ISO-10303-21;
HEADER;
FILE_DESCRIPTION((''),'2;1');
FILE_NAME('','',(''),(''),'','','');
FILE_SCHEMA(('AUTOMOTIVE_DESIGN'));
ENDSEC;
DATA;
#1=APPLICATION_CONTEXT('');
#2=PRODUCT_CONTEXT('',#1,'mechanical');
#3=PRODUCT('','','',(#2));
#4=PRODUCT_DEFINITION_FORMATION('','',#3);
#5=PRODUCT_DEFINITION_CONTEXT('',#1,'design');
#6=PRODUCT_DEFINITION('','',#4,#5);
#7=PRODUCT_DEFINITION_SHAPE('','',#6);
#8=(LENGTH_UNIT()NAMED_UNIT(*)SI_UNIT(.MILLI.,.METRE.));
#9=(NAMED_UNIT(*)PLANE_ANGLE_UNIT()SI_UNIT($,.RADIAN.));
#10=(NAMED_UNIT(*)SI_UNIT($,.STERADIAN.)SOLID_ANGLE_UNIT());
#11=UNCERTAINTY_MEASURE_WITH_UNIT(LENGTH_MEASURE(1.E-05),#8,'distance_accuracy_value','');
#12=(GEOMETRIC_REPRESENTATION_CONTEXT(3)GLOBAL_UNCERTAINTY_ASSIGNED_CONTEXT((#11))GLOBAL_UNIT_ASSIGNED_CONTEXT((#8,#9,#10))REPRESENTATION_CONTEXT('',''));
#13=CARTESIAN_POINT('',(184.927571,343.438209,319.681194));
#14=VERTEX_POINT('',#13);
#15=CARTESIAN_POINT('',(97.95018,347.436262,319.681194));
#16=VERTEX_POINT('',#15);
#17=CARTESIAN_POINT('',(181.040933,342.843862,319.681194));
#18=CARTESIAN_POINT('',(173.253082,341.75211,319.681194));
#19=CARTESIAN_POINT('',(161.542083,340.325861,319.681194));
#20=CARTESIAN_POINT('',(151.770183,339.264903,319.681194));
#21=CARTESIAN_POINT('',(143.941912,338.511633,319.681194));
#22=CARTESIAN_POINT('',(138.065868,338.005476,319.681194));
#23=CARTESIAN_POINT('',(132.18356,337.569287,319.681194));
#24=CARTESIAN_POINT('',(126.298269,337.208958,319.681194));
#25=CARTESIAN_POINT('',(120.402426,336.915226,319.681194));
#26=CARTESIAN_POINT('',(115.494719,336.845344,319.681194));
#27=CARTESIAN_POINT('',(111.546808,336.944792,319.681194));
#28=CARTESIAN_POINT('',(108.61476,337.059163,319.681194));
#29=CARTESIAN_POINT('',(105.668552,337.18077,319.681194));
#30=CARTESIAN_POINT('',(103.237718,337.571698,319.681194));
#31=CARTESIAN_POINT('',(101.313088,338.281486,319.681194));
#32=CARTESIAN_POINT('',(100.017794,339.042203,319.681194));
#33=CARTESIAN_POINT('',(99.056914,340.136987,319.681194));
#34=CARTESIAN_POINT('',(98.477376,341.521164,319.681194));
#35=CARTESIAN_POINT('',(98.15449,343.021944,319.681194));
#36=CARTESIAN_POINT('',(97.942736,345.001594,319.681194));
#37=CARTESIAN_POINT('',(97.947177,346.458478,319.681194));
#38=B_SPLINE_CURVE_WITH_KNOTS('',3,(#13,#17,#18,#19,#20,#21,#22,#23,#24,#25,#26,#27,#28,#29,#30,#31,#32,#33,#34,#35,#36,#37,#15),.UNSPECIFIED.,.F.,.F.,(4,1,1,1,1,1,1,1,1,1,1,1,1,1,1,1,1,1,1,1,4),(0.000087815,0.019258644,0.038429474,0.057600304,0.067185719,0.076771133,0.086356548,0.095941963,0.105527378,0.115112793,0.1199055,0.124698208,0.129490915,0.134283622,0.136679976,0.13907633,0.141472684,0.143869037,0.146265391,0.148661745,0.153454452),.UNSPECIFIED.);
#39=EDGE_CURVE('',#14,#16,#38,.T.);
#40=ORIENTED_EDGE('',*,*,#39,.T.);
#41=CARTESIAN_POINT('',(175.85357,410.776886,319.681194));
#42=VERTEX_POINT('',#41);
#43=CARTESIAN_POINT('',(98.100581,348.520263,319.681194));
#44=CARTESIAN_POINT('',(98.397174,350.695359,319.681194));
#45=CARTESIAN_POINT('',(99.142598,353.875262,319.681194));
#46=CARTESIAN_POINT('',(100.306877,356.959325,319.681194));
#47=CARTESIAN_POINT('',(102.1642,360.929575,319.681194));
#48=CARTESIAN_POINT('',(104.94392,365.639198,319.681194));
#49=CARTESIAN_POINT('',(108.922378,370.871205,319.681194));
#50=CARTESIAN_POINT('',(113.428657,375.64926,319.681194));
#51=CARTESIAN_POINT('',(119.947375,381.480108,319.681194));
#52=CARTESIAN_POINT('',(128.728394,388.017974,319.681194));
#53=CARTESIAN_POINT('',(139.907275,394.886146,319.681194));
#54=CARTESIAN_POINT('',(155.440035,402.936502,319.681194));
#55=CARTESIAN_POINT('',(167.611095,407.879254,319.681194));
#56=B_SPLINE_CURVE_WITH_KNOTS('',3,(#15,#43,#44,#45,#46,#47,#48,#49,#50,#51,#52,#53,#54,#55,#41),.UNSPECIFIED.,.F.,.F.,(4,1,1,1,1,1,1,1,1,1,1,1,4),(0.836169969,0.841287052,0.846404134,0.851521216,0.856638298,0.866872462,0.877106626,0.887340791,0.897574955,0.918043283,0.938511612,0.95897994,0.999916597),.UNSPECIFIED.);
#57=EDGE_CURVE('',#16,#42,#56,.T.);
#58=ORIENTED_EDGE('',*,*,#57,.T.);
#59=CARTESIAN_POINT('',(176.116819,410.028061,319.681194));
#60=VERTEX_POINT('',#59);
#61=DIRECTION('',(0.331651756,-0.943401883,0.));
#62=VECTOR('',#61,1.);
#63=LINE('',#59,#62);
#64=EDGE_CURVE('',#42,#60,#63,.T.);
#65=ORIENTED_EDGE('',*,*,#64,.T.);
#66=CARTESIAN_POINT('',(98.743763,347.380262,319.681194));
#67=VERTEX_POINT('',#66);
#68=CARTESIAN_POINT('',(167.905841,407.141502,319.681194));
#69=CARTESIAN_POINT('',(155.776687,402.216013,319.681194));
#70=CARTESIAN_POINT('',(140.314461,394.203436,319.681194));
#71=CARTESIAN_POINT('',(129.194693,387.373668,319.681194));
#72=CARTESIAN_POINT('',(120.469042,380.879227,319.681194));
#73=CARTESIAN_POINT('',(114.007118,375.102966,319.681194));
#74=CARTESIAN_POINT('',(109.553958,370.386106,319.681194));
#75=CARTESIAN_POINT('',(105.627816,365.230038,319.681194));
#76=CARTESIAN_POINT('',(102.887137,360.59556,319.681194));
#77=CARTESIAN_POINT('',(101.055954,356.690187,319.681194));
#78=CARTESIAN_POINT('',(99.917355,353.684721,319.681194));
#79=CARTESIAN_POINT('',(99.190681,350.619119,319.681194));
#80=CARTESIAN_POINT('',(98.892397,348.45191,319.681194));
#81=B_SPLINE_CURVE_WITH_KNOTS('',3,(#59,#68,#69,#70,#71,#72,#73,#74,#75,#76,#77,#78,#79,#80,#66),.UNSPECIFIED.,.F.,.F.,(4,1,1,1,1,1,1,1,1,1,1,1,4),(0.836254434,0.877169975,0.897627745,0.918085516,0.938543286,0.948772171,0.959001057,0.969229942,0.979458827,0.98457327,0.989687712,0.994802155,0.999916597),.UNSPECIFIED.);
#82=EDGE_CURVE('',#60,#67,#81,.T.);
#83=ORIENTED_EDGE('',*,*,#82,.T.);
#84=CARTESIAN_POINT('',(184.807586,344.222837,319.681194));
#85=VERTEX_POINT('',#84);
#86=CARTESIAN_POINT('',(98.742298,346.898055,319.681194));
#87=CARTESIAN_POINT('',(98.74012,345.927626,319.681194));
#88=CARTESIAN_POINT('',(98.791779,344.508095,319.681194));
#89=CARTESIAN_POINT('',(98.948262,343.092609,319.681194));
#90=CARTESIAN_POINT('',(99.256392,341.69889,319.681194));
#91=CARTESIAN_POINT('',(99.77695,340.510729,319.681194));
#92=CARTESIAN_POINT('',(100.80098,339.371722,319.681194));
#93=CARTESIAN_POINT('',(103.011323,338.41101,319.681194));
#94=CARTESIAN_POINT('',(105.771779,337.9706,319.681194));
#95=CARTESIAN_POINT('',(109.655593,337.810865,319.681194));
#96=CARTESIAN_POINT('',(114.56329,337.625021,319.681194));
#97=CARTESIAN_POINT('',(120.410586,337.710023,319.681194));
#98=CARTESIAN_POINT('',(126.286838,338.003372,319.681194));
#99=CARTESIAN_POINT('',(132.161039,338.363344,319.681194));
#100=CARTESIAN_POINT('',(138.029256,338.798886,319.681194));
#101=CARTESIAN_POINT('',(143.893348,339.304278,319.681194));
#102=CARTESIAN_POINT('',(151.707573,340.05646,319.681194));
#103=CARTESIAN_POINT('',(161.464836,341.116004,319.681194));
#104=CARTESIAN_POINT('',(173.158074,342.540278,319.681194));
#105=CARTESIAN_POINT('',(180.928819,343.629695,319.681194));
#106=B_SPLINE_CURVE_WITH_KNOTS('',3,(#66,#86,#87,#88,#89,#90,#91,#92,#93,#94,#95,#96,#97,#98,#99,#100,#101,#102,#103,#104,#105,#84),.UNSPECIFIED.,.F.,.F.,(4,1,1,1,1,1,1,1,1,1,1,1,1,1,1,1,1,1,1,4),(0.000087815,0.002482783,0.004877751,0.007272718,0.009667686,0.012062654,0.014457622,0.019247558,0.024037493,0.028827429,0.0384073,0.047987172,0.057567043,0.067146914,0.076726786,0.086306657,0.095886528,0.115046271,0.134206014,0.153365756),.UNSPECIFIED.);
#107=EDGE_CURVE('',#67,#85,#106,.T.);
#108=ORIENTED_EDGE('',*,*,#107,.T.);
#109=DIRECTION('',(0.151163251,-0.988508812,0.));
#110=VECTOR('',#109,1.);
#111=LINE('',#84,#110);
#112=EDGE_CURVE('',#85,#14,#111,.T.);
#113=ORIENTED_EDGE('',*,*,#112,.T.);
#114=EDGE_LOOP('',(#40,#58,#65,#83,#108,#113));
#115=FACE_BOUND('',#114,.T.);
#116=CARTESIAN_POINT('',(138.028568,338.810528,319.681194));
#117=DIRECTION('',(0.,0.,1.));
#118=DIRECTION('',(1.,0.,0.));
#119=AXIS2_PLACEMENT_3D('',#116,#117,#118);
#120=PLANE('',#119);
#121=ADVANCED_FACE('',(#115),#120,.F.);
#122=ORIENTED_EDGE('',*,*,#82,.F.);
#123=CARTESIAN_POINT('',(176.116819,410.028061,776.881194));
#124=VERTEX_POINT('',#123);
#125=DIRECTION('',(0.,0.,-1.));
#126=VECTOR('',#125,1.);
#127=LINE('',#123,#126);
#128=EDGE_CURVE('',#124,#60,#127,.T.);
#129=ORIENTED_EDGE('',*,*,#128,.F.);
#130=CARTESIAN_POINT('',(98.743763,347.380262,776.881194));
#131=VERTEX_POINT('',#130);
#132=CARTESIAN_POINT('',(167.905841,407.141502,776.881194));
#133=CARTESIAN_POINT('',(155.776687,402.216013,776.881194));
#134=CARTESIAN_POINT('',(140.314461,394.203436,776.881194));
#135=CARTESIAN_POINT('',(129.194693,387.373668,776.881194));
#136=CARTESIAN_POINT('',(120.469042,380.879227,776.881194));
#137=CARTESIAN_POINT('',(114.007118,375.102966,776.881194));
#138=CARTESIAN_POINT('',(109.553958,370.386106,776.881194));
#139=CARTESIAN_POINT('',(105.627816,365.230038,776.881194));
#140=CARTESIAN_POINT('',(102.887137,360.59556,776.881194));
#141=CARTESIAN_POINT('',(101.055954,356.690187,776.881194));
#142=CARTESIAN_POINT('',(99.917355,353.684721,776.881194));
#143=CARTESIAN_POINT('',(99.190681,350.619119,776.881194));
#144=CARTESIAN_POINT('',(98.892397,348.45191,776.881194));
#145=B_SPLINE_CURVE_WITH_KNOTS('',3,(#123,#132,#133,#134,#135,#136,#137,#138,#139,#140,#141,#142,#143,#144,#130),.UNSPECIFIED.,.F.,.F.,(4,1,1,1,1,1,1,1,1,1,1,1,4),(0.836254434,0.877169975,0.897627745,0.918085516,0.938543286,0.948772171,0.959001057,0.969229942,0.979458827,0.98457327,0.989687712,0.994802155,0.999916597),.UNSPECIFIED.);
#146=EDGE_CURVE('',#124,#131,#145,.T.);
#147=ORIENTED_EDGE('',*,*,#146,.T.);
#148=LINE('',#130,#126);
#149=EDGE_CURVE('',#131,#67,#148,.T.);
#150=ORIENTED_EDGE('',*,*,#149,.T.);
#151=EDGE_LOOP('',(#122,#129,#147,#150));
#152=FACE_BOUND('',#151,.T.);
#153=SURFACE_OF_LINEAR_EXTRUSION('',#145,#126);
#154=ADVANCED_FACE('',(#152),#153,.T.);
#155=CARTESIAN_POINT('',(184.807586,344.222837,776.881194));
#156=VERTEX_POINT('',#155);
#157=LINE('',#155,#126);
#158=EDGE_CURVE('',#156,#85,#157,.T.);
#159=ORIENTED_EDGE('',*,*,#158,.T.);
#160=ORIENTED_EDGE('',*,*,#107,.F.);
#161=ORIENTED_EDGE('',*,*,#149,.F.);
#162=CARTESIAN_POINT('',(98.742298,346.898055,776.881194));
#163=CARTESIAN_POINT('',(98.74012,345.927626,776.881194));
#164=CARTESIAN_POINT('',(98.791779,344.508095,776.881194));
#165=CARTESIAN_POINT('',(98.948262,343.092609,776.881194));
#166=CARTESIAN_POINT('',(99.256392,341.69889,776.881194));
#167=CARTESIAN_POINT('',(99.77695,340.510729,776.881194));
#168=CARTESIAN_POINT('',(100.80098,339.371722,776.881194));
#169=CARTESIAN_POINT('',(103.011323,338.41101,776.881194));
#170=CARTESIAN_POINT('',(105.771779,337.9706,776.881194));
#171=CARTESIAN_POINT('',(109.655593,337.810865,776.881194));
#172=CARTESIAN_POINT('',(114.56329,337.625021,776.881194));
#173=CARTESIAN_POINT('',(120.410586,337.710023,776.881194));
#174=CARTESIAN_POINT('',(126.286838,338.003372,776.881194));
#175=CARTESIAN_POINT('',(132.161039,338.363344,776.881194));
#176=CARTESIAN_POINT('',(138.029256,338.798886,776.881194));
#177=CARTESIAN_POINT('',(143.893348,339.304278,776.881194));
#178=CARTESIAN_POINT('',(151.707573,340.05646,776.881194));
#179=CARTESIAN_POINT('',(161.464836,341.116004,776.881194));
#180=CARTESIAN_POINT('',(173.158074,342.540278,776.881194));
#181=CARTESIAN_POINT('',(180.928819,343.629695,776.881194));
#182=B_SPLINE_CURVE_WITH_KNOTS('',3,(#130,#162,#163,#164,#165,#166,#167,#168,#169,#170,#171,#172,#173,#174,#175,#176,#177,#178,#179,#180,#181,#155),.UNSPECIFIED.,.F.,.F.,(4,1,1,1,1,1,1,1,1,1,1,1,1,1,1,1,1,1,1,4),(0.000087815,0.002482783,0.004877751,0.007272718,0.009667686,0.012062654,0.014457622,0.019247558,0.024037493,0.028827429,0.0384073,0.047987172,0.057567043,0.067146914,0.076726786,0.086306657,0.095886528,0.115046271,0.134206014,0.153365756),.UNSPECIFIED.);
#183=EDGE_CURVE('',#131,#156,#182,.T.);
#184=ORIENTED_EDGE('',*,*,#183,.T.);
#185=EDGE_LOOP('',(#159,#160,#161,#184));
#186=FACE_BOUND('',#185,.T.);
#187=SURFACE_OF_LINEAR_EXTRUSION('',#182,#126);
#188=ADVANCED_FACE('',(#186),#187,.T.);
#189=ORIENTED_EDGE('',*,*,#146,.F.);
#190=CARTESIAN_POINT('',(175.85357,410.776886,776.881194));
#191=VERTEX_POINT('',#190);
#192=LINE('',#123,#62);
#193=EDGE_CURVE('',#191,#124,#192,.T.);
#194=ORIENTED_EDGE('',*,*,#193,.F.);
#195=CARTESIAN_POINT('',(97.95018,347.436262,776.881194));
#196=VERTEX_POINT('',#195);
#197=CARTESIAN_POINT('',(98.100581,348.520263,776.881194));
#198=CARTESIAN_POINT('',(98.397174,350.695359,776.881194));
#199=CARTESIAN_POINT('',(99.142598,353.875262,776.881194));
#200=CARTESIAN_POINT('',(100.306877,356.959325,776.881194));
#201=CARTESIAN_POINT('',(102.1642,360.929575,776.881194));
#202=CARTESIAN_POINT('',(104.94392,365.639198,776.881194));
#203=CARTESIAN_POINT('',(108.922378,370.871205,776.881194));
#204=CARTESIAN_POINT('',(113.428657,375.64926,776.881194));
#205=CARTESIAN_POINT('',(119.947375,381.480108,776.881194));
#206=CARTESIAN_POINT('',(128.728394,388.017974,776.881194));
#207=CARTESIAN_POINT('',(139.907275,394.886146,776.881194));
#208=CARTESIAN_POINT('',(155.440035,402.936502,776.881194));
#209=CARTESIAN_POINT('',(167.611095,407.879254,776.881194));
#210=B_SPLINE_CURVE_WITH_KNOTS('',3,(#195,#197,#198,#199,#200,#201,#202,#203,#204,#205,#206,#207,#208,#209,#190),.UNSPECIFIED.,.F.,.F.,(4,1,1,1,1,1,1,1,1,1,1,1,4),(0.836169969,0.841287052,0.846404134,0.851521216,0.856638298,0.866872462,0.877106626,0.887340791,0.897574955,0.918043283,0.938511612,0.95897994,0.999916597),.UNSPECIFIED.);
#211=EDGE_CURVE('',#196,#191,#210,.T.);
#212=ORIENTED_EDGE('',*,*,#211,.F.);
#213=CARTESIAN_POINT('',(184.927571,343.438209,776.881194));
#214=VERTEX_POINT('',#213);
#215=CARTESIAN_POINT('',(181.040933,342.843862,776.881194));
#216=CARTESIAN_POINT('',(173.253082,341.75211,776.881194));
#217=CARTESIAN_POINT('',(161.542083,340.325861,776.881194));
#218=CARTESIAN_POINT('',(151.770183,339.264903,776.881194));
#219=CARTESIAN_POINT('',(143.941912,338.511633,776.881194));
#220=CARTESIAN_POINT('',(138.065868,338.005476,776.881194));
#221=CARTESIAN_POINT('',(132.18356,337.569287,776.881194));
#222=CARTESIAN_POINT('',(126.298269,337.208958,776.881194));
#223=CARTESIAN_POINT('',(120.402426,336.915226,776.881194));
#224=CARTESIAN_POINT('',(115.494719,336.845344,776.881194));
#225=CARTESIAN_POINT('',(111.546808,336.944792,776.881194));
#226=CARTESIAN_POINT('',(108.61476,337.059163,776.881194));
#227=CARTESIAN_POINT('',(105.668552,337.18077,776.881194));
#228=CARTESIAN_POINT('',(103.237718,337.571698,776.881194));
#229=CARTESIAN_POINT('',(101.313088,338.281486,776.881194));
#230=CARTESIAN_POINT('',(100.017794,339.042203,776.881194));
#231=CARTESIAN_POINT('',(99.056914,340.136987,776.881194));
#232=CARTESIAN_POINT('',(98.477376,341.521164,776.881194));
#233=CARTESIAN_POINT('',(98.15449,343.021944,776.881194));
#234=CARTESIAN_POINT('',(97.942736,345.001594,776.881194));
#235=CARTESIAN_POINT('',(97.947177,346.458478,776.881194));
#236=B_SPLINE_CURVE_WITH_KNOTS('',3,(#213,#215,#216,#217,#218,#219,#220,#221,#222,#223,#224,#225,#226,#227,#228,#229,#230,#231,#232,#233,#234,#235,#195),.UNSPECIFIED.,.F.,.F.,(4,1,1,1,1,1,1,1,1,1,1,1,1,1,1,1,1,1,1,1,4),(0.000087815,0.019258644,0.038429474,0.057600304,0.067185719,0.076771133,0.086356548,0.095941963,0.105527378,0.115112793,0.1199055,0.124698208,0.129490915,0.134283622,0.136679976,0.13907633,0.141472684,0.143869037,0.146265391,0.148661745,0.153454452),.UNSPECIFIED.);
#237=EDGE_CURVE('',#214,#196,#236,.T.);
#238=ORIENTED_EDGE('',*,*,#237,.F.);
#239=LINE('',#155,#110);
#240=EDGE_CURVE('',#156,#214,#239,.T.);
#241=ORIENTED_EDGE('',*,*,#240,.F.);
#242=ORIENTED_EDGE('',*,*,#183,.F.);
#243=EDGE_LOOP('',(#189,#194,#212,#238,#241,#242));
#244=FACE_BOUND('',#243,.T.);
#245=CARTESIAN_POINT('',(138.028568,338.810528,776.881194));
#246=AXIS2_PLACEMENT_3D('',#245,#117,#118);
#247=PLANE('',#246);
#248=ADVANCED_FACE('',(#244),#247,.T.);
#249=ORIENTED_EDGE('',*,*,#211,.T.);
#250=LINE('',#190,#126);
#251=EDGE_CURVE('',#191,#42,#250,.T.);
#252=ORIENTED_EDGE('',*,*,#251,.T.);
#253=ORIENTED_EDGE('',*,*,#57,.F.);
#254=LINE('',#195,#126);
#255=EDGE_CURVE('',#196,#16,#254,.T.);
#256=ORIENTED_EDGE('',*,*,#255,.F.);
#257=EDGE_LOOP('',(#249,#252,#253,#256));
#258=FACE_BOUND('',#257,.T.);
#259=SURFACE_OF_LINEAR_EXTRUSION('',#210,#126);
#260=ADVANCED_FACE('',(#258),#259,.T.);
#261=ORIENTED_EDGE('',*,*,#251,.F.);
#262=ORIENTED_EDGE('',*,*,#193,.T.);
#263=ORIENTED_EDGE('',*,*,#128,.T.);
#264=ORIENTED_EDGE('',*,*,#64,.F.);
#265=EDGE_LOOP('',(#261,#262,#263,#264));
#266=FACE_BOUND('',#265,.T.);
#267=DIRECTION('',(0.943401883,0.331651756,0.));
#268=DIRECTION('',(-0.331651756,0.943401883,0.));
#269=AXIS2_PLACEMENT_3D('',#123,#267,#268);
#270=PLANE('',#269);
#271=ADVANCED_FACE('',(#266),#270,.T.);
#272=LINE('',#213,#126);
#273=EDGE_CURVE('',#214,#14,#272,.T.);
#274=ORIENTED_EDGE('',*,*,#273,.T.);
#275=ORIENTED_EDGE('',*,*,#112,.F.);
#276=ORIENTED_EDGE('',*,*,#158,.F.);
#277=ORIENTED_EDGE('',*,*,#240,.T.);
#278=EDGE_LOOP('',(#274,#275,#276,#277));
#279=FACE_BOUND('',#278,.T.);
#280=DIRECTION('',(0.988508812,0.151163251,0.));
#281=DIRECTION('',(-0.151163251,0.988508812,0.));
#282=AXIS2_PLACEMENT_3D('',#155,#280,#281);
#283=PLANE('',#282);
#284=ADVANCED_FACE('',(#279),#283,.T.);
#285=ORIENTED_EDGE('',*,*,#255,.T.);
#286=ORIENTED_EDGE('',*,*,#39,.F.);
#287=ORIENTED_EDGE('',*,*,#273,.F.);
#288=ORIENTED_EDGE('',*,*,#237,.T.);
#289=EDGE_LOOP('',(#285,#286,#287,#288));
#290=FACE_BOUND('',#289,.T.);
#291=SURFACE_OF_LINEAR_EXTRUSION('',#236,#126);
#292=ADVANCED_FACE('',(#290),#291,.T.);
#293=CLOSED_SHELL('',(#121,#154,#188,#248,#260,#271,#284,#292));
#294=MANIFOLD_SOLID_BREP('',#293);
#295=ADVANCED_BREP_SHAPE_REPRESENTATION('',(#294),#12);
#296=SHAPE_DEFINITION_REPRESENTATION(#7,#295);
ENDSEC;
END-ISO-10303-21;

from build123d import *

# Parameters (mm, degrees)
BOSS_EXTRUDE1_DEPTH = 457.2


with BuildPart() as part:
    # Sketch1 → Boss-Extrude1 (new body)
    with BuildSketch(Plane(origin=(0, 0, 319.681194078), x_dir=(-1, 0, 0), z_dir=(0, 0, -1))):
        with BuildLine():
            Line((-184.807585519, 344.222837463), (-184.92757135, 343.438208593))
            add(Edge.make_bspline(
                [(-184.92757135, 343.438208593), (-181.040933485, 342.843862028), (-173.253081526, 341.752110108), (-161.542083063, 340.325860568), (-151.77018341, 339.26490288), (-143.941912164, 338.511632739), (-138.065867745, 338.005476288), (-132.183559819, 337.569286594), (-126.298268743, 337.208958243), (-120.402425753, 336.915226123), (-115.494718924, 336.845343616), (-111.546807905, 336.944791731), (-108.614760213, 337.05916287), (-105.668551651, 337.180770053), (-103.23771824, 337.571697676), (-101.313088235, 338.281485887), (-100.017793574, 339.042202664), (-99.056914162, 340.136986868), (-98.477375887, 341.521164247), (-98.154490298, 343.021943609), (-97.942735647, 345.001594157), (-97.947176665, 346.45847794), (-97.950180416, 347.436261822)],
                knots=[8.7815e-05, 8.7815e-05, 8.7815e-05, 8.7815e-05, 0.019258644, 0.038429474, 0.057600304, 0.067185719, 0.076771133, 0.086356548, 0.095941963, 0.105527378, 0.115112793, 0.1199055, 0.124698208, 0.129490915, 0.134283622, 0.136679976, 0.13907633, 0.141472684, 0.143869037, 0.146265391, 0.148661745, 0.153454452, 0.153454452, 0.153454452, 0.153454452], degree=3))
            add(Edge.make_bspline(
                [(-97.950180416, 347.436261822), (-98.100581128, 348.520263004), (-98.397174316, 350.695359269), (-99.142597548, 353.875262447), (-100.306877132, 356.959325428), (-102.164200072, 360.929575002), (-104.94392028, 365.63919815), (-108.922377523, 370.871204814), (-113.428657002, 375.649260439), (-119.947374772, 381.480108266), (-128.728393565, 388.017974072), (-139.907274969, 394.886145622), (-155.440035218, 402.936502443), (-167.611094993, 407.87925406), (-175.853570149, 410.776885929)],
                knots=[0.836169969, 0.836169969, 0.836169969, 0.836169969, 0.841287052, 0.846404134, 0.851521216, 0.856638298, 0.866872462, 0.877106626, 0.887340791, 0.897574955, 0.918043283, 0.938511612, 0.95897994, 0.999916597, 0.999916597, 0.999916597, 0.999916597], degree=3))
            Line((-175.853570149, 410.776885929), (-176.116818731, 410.028060685))
            add(Edge.make_bspline(
                [(-98.743762825, 347.380261796), (-98.892397356, 348.45190969), (-99.190681161, 350.619119091), (-99.91735457, 353.684720681), (-101.055954059, 356.6901874), (-102.887136936, 360.595560384), (-105.627816001, 365.230037823), (-109.553958473, 370.386106109), (-114.007117785, 375.102966209), (-120.469041894, 380.87922721), (-129.194692793, 387.37366792), (-140.314460751, 394.203435551), (-155.776686671, 402.216013166), (-167.905841345, 407.141501818), (-176.116818731, 410.028060685)],
                knots=[0.836254434, 0.836254434, 0.836254434, 0.836254434, 0.841368877, 0.846483319, 0.851597762, 0.856712204, 0.86694109, 0.877169975, 0.88739886, 0.897627745, 0.918085516, 0.938543286, 0.959001057, 0.999916597, 0.999916597, 0.999916597, 0.999916597], degree=3))
            add(Edge.make_bspline(
                [(-184.807585519, 344.222837463), (-180.928818915, 343.629694575), (-173.158073701, 342.540277813), (-161.464836405, 341.116003816), (-151.707572955, 340.056460006), (-143.893347991, 339.304277984), (-138.029255706, 338.79888589), (-132.16103886, 338.363344035), (-126.286837549, 338.00337161), (-120.410585645, 337.710023245), (-114.563289728, 337.625021098), (-109.655593145, 337.810865159), (-105.771779498, 337.97060001), (-103.011322642, 338.41100989), (-100.800979937, 339.371721701), (-99.776949816, 340.510728532), (-99.256392073, 341.698889754), (-98.94826176, 343.092608986), (-98.791779311, 344.508094865), (-98.740120027, 345.927625566), (-98.742298005, 346.898054724), (-98.743762825, 347.380261796)],
                knots=[8.7815e-05, 8.7815e-05, 8.7815e-05, 8.7815e-05, 0.019247558, 0.0384073, 0.057567043, 0.067146914, 0.076726786, 0.086306657, 0.095886528, 0.1054664, 0.115046271, 0.124626142, 0.129416078, 0.134206014, 0.138995949, 0.141390917, 0.143785885, 0.146180853, 0.148575821, 0.150970788, 0.153365756, 0.153365756, 0.153365756, 0.153365756], degree=3))
        make_face()
    extrude(amount=-BOSS_EXTRUDE1_DEPTH)


solid = part.part
